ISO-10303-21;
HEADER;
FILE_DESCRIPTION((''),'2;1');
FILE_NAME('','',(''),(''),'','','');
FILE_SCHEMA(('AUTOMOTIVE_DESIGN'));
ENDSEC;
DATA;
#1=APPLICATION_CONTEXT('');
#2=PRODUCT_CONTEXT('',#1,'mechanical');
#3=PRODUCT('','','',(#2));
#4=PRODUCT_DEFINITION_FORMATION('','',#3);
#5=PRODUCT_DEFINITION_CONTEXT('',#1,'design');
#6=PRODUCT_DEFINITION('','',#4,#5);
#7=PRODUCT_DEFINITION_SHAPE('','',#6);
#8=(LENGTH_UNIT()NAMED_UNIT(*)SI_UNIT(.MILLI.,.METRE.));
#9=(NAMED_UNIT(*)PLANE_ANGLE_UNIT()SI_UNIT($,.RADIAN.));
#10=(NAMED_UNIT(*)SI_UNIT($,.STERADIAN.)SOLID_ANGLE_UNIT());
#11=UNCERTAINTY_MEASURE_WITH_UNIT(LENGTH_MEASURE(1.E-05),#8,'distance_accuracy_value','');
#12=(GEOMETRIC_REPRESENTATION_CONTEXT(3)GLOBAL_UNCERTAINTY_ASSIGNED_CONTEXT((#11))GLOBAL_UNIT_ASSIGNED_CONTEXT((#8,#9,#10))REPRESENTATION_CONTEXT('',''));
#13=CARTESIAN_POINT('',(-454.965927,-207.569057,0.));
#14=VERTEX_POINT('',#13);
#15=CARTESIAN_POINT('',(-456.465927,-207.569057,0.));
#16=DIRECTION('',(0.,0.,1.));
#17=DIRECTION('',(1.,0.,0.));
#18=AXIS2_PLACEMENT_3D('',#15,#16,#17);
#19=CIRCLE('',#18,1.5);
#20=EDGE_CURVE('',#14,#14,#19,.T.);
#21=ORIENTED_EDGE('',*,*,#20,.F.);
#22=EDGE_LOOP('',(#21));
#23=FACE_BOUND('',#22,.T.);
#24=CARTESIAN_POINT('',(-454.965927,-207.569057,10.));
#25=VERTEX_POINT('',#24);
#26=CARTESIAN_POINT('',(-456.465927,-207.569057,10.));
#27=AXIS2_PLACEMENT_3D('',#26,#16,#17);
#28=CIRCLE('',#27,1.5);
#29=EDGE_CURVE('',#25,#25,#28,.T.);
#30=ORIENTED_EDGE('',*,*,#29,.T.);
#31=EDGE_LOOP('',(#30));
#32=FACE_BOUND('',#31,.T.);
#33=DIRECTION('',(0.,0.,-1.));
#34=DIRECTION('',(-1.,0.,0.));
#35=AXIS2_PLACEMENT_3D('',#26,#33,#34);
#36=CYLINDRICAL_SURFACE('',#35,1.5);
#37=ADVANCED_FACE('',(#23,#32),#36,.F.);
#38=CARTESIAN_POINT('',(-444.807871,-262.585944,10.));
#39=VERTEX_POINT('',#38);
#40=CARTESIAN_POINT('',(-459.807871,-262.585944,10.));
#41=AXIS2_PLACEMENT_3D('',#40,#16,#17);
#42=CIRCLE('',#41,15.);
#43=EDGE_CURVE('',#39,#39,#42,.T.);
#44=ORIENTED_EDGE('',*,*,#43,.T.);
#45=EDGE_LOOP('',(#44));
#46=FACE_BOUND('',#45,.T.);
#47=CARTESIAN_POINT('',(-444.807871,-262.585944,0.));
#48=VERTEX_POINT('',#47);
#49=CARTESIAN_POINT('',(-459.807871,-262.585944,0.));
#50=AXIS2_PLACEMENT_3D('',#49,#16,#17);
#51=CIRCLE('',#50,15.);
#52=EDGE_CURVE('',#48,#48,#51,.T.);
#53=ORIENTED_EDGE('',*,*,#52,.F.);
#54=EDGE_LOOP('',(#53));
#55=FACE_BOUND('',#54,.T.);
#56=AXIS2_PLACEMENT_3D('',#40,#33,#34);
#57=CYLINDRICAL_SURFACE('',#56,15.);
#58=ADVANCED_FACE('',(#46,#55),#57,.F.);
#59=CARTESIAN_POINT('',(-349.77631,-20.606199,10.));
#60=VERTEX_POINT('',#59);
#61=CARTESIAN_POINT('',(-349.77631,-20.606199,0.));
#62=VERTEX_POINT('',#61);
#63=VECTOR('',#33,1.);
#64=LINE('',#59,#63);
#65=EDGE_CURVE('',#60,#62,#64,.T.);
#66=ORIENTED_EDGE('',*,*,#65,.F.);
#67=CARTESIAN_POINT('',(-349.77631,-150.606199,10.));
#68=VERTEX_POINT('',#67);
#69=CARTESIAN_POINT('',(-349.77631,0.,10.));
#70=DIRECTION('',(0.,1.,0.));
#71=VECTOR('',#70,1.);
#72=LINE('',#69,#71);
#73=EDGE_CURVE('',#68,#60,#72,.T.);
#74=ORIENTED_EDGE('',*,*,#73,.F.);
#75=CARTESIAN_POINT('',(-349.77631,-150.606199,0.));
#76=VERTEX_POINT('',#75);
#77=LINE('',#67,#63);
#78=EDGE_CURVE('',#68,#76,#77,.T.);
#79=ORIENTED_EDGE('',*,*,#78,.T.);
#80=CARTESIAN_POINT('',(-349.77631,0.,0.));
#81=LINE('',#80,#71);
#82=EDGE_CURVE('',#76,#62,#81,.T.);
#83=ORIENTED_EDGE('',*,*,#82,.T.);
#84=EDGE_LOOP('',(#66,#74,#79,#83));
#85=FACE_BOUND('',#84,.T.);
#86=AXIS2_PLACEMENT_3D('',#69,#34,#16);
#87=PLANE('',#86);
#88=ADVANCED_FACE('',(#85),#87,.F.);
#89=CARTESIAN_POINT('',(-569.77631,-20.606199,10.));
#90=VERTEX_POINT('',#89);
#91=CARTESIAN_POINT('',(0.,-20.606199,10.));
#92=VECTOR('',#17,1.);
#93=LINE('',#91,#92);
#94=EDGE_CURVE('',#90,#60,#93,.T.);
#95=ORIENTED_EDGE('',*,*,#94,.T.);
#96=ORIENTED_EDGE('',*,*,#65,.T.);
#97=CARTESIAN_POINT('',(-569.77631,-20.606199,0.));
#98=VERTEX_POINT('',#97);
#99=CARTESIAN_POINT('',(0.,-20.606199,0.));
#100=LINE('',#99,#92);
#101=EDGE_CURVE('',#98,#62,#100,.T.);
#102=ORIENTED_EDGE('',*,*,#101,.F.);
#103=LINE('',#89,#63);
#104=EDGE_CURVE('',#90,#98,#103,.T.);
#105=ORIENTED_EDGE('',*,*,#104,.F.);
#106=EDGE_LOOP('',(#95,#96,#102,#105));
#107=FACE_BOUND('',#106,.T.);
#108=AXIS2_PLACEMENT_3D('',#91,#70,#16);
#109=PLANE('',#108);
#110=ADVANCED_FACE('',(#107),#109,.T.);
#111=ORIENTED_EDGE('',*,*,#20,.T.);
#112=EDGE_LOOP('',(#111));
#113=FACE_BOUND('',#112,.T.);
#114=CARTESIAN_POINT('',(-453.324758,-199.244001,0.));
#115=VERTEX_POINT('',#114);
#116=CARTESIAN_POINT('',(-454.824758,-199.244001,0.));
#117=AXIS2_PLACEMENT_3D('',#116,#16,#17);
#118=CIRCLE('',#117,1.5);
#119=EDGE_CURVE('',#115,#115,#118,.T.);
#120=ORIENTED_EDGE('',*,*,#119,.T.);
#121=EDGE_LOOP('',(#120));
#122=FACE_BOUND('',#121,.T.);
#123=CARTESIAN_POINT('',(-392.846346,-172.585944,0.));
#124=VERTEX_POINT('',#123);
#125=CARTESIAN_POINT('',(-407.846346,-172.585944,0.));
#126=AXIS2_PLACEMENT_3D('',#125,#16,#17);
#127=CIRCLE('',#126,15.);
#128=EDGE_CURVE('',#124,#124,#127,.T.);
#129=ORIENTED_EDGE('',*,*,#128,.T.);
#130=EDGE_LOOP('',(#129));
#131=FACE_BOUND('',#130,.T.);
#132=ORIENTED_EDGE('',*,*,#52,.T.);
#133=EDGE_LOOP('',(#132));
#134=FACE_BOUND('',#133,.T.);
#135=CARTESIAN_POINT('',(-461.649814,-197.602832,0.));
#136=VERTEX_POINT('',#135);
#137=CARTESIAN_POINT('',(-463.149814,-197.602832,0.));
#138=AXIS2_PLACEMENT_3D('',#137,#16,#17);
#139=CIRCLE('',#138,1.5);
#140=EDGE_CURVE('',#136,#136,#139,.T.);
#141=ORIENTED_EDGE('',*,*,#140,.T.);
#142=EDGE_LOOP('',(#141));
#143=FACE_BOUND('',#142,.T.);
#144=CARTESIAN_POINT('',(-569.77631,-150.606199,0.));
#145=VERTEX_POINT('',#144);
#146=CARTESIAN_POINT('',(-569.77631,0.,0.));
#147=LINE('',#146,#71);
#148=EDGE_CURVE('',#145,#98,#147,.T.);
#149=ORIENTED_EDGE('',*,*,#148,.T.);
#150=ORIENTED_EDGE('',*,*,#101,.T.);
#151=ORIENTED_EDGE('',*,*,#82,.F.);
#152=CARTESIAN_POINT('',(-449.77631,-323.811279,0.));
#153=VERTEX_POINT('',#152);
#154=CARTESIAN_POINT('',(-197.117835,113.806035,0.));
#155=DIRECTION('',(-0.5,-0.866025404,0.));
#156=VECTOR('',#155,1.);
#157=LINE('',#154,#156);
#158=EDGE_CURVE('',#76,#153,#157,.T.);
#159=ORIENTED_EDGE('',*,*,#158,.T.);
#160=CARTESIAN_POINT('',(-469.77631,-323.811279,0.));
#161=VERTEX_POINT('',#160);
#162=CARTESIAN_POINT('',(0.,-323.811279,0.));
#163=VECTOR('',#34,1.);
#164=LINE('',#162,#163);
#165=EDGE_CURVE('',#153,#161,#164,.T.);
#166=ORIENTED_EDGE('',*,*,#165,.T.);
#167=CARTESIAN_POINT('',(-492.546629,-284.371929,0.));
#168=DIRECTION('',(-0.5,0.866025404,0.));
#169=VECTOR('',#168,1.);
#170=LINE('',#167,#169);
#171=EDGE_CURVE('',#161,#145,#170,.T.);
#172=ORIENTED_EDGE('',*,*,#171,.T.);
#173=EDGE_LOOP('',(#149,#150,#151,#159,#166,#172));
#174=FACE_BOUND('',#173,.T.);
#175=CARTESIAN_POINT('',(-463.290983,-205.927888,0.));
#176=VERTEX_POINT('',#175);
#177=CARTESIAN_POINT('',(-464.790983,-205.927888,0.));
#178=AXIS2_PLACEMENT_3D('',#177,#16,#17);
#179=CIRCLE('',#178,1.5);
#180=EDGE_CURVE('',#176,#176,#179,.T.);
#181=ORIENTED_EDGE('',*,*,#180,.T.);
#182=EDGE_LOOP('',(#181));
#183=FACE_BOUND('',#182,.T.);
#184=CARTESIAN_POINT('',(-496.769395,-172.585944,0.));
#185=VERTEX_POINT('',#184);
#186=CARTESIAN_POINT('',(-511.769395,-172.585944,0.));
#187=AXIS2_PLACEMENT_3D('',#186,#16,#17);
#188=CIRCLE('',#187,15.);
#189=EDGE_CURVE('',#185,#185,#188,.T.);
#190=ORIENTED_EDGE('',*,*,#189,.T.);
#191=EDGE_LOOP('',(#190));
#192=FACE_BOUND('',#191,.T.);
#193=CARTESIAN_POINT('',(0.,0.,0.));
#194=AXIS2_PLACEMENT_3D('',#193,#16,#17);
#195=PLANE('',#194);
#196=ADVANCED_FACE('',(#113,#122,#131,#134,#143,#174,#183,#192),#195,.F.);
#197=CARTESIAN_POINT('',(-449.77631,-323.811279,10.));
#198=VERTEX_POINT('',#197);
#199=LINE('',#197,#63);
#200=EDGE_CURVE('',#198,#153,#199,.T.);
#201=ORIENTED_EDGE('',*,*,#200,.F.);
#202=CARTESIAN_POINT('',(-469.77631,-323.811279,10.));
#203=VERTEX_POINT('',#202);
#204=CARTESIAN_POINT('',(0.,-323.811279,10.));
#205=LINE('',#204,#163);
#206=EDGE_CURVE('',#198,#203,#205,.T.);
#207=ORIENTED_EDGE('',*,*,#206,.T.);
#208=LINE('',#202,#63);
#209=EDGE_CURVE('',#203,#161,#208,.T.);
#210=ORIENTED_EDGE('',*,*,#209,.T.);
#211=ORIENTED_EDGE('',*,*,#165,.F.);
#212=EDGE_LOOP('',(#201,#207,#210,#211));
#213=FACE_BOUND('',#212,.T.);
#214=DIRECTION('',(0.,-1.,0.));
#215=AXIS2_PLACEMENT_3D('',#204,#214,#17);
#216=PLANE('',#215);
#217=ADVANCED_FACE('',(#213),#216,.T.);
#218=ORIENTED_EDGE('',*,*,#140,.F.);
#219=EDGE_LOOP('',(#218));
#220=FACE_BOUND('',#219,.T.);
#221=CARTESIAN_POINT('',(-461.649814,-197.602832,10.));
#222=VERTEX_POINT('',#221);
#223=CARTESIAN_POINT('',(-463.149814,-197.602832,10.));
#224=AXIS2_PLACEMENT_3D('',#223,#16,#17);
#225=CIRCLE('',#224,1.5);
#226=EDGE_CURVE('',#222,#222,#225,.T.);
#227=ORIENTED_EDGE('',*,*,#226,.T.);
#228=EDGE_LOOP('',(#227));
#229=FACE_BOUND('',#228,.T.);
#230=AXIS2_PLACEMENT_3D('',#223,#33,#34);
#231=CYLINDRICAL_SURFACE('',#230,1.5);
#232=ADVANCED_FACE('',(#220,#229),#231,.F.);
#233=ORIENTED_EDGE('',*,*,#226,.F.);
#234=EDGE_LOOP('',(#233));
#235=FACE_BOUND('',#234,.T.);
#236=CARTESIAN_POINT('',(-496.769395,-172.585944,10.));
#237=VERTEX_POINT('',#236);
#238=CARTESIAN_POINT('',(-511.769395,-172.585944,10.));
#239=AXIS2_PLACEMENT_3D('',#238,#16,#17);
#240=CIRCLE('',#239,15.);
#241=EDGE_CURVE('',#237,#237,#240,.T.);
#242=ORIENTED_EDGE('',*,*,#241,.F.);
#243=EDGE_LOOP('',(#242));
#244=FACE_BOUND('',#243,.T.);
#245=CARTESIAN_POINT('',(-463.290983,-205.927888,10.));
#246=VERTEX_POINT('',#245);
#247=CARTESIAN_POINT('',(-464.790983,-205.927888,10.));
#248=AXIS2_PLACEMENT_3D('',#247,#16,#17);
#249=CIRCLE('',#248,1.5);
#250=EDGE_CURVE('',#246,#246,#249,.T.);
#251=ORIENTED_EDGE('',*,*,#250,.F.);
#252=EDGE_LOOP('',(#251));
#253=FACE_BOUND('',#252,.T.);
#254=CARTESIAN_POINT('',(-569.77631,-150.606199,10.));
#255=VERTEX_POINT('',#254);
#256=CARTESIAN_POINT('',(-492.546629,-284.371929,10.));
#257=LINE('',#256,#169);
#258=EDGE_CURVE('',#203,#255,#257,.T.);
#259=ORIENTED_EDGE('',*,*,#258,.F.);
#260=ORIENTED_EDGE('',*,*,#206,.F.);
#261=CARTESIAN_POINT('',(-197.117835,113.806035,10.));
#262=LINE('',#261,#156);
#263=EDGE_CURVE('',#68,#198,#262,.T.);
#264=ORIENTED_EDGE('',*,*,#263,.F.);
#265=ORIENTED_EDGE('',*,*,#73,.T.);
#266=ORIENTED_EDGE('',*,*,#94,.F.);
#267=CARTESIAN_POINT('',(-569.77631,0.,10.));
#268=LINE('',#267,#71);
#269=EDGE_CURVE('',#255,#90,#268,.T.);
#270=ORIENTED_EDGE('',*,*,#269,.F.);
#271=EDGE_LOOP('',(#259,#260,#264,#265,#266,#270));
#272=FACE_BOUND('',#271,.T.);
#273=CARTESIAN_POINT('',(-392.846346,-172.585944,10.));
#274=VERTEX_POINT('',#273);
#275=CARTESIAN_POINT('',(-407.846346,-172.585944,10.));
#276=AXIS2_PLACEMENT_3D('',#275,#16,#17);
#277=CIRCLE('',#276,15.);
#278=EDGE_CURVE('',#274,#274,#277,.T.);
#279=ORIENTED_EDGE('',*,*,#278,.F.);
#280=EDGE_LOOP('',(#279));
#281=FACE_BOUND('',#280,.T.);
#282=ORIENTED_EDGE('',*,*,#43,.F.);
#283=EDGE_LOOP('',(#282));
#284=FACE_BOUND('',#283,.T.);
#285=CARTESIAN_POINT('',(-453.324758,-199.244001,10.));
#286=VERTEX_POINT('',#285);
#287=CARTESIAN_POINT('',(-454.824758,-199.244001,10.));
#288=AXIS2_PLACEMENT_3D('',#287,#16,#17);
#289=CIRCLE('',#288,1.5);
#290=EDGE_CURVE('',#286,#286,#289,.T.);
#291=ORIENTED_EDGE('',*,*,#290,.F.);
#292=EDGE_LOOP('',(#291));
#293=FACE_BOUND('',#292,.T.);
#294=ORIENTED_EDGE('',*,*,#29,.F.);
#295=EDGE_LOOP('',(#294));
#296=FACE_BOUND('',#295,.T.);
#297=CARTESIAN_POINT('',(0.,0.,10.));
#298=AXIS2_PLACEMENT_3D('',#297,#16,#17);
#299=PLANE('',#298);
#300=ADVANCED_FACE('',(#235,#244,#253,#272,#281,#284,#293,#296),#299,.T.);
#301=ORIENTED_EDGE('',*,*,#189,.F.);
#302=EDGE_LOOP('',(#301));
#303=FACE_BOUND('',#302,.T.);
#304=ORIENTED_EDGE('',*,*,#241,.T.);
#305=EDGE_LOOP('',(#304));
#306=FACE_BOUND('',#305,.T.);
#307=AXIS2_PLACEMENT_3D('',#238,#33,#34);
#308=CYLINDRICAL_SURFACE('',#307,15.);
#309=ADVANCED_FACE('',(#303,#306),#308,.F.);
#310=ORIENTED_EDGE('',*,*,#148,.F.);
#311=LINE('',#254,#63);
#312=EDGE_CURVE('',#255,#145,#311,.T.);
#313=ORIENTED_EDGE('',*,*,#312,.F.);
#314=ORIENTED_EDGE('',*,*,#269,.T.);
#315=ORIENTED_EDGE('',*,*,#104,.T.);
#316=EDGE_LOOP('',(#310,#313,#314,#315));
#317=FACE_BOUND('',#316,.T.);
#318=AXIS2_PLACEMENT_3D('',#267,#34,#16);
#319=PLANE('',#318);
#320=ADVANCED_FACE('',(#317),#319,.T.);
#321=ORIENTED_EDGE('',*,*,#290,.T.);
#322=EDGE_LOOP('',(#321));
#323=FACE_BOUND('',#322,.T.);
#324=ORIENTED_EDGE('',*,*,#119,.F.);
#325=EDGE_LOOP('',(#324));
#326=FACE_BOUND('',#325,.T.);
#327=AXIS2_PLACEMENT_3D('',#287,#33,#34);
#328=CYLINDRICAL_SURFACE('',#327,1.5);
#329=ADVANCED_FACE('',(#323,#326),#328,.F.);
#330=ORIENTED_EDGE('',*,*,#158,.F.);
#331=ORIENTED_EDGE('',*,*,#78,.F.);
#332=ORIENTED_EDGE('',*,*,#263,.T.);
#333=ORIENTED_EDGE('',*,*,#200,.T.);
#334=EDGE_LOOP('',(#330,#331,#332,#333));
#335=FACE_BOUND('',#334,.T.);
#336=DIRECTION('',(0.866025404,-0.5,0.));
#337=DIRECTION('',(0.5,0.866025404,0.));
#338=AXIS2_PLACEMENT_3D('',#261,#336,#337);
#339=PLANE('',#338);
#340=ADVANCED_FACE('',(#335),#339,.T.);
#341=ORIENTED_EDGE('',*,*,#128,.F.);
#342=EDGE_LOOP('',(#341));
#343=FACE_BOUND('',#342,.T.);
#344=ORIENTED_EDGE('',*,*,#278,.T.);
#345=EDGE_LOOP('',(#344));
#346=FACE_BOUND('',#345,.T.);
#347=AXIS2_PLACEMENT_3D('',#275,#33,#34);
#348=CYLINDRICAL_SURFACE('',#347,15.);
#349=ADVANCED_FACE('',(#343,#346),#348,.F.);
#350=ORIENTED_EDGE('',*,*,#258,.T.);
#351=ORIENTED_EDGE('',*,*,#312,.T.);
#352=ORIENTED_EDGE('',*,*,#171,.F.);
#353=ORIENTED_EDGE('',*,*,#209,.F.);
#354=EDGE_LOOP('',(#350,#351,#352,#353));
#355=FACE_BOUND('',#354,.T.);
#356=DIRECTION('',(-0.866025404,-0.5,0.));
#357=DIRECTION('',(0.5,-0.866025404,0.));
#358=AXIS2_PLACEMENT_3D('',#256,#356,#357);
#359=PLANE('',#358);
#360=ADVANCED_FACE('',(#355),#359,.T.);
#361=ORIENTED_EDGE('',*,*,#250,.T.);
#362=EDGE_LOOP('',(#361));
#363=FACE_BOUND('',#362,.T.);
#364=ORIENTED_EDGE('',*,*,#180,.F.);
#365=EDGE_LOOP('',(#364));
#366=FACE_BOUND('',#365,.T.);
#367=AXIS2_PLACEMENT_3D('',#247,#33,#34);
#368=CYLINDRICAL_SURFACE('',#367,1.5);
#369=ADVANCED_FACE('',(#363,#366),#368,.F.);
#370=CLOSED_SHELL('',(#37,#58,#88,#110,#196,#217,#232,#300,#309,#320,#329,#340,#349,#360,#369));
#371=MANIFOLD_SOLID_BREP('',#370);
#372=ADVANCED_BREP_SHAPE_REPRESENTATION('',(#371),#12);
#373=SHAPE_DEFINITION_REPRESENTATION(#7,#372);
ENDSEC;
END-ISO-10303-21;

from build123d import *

# Parameters (mm, degrees)
SKETCH5_R           = 15
SKETCH5_R_2         = 10
SKETCH5_R_3         = 1.5
BOSS_EXTRUDE1_DEPTH = 10


with BuildPart() as part:
    # Sketch5 → Boss-Extrude1 (new body)
    # profile 1 of 2: a face of its own
    with BuildSketch(Plane.XY):
        Polygon((-349.776309557, -150.606198532), (-449.776309557, -323.811279288), (-469.776309557, -323.811279288), (-569.776309557, -150.606198532), (-569.776309557, -20.606198532), (-349.776309557, -20.606198532), align=None)
        with Locations((-459.807870528, -262.585944494)):
            Circle(SKETCH5_R, mode=Mode.SUBTRACT)
        with Locations((-511.769394755, -172.585944494)):
            Circle(SKETCH5_R, mode=Mode.SUBTRACT)
        with Locations((-459.807870528, -202.585944494)):
            Circle(SKETCH5_R_2, mode=Mode.SUBTRACT)
        with Locations((-407.846346301, -172.585944494)):
            Circle(SKETCH5_R, mode=Mode.SUBTRACT)
    # profile 2 of 2: a face of its own
    with BuildSketch(Plane.XY):
        with Locations((-459.807870528, -202.585944494)):
            Circle(SKETCH5_R_2)
        with Locations((-464.790983154, -205.927888323)):
            Circle(SKETCH5_R_3, mode=Mode.SUBTRACT)
        with Locations((-456.465926699, -207.56905712)):
            Circle(SKETCH5_R_3, mode=Mode.SUBTRACT)
        with Locations((-454.824757902, -199.244000664)):
            Circle(SKETCH5_R_3, mode=Mode.SUBTRACT)
        with Locations((-463.149814357, -197.602831868)):
            Circle(SKETCH5_R_3, mode=Mode.SUBTRACT)
    extrude(amount=BOSS_EXTRUDE1_DEPTH)


solid = part.part
